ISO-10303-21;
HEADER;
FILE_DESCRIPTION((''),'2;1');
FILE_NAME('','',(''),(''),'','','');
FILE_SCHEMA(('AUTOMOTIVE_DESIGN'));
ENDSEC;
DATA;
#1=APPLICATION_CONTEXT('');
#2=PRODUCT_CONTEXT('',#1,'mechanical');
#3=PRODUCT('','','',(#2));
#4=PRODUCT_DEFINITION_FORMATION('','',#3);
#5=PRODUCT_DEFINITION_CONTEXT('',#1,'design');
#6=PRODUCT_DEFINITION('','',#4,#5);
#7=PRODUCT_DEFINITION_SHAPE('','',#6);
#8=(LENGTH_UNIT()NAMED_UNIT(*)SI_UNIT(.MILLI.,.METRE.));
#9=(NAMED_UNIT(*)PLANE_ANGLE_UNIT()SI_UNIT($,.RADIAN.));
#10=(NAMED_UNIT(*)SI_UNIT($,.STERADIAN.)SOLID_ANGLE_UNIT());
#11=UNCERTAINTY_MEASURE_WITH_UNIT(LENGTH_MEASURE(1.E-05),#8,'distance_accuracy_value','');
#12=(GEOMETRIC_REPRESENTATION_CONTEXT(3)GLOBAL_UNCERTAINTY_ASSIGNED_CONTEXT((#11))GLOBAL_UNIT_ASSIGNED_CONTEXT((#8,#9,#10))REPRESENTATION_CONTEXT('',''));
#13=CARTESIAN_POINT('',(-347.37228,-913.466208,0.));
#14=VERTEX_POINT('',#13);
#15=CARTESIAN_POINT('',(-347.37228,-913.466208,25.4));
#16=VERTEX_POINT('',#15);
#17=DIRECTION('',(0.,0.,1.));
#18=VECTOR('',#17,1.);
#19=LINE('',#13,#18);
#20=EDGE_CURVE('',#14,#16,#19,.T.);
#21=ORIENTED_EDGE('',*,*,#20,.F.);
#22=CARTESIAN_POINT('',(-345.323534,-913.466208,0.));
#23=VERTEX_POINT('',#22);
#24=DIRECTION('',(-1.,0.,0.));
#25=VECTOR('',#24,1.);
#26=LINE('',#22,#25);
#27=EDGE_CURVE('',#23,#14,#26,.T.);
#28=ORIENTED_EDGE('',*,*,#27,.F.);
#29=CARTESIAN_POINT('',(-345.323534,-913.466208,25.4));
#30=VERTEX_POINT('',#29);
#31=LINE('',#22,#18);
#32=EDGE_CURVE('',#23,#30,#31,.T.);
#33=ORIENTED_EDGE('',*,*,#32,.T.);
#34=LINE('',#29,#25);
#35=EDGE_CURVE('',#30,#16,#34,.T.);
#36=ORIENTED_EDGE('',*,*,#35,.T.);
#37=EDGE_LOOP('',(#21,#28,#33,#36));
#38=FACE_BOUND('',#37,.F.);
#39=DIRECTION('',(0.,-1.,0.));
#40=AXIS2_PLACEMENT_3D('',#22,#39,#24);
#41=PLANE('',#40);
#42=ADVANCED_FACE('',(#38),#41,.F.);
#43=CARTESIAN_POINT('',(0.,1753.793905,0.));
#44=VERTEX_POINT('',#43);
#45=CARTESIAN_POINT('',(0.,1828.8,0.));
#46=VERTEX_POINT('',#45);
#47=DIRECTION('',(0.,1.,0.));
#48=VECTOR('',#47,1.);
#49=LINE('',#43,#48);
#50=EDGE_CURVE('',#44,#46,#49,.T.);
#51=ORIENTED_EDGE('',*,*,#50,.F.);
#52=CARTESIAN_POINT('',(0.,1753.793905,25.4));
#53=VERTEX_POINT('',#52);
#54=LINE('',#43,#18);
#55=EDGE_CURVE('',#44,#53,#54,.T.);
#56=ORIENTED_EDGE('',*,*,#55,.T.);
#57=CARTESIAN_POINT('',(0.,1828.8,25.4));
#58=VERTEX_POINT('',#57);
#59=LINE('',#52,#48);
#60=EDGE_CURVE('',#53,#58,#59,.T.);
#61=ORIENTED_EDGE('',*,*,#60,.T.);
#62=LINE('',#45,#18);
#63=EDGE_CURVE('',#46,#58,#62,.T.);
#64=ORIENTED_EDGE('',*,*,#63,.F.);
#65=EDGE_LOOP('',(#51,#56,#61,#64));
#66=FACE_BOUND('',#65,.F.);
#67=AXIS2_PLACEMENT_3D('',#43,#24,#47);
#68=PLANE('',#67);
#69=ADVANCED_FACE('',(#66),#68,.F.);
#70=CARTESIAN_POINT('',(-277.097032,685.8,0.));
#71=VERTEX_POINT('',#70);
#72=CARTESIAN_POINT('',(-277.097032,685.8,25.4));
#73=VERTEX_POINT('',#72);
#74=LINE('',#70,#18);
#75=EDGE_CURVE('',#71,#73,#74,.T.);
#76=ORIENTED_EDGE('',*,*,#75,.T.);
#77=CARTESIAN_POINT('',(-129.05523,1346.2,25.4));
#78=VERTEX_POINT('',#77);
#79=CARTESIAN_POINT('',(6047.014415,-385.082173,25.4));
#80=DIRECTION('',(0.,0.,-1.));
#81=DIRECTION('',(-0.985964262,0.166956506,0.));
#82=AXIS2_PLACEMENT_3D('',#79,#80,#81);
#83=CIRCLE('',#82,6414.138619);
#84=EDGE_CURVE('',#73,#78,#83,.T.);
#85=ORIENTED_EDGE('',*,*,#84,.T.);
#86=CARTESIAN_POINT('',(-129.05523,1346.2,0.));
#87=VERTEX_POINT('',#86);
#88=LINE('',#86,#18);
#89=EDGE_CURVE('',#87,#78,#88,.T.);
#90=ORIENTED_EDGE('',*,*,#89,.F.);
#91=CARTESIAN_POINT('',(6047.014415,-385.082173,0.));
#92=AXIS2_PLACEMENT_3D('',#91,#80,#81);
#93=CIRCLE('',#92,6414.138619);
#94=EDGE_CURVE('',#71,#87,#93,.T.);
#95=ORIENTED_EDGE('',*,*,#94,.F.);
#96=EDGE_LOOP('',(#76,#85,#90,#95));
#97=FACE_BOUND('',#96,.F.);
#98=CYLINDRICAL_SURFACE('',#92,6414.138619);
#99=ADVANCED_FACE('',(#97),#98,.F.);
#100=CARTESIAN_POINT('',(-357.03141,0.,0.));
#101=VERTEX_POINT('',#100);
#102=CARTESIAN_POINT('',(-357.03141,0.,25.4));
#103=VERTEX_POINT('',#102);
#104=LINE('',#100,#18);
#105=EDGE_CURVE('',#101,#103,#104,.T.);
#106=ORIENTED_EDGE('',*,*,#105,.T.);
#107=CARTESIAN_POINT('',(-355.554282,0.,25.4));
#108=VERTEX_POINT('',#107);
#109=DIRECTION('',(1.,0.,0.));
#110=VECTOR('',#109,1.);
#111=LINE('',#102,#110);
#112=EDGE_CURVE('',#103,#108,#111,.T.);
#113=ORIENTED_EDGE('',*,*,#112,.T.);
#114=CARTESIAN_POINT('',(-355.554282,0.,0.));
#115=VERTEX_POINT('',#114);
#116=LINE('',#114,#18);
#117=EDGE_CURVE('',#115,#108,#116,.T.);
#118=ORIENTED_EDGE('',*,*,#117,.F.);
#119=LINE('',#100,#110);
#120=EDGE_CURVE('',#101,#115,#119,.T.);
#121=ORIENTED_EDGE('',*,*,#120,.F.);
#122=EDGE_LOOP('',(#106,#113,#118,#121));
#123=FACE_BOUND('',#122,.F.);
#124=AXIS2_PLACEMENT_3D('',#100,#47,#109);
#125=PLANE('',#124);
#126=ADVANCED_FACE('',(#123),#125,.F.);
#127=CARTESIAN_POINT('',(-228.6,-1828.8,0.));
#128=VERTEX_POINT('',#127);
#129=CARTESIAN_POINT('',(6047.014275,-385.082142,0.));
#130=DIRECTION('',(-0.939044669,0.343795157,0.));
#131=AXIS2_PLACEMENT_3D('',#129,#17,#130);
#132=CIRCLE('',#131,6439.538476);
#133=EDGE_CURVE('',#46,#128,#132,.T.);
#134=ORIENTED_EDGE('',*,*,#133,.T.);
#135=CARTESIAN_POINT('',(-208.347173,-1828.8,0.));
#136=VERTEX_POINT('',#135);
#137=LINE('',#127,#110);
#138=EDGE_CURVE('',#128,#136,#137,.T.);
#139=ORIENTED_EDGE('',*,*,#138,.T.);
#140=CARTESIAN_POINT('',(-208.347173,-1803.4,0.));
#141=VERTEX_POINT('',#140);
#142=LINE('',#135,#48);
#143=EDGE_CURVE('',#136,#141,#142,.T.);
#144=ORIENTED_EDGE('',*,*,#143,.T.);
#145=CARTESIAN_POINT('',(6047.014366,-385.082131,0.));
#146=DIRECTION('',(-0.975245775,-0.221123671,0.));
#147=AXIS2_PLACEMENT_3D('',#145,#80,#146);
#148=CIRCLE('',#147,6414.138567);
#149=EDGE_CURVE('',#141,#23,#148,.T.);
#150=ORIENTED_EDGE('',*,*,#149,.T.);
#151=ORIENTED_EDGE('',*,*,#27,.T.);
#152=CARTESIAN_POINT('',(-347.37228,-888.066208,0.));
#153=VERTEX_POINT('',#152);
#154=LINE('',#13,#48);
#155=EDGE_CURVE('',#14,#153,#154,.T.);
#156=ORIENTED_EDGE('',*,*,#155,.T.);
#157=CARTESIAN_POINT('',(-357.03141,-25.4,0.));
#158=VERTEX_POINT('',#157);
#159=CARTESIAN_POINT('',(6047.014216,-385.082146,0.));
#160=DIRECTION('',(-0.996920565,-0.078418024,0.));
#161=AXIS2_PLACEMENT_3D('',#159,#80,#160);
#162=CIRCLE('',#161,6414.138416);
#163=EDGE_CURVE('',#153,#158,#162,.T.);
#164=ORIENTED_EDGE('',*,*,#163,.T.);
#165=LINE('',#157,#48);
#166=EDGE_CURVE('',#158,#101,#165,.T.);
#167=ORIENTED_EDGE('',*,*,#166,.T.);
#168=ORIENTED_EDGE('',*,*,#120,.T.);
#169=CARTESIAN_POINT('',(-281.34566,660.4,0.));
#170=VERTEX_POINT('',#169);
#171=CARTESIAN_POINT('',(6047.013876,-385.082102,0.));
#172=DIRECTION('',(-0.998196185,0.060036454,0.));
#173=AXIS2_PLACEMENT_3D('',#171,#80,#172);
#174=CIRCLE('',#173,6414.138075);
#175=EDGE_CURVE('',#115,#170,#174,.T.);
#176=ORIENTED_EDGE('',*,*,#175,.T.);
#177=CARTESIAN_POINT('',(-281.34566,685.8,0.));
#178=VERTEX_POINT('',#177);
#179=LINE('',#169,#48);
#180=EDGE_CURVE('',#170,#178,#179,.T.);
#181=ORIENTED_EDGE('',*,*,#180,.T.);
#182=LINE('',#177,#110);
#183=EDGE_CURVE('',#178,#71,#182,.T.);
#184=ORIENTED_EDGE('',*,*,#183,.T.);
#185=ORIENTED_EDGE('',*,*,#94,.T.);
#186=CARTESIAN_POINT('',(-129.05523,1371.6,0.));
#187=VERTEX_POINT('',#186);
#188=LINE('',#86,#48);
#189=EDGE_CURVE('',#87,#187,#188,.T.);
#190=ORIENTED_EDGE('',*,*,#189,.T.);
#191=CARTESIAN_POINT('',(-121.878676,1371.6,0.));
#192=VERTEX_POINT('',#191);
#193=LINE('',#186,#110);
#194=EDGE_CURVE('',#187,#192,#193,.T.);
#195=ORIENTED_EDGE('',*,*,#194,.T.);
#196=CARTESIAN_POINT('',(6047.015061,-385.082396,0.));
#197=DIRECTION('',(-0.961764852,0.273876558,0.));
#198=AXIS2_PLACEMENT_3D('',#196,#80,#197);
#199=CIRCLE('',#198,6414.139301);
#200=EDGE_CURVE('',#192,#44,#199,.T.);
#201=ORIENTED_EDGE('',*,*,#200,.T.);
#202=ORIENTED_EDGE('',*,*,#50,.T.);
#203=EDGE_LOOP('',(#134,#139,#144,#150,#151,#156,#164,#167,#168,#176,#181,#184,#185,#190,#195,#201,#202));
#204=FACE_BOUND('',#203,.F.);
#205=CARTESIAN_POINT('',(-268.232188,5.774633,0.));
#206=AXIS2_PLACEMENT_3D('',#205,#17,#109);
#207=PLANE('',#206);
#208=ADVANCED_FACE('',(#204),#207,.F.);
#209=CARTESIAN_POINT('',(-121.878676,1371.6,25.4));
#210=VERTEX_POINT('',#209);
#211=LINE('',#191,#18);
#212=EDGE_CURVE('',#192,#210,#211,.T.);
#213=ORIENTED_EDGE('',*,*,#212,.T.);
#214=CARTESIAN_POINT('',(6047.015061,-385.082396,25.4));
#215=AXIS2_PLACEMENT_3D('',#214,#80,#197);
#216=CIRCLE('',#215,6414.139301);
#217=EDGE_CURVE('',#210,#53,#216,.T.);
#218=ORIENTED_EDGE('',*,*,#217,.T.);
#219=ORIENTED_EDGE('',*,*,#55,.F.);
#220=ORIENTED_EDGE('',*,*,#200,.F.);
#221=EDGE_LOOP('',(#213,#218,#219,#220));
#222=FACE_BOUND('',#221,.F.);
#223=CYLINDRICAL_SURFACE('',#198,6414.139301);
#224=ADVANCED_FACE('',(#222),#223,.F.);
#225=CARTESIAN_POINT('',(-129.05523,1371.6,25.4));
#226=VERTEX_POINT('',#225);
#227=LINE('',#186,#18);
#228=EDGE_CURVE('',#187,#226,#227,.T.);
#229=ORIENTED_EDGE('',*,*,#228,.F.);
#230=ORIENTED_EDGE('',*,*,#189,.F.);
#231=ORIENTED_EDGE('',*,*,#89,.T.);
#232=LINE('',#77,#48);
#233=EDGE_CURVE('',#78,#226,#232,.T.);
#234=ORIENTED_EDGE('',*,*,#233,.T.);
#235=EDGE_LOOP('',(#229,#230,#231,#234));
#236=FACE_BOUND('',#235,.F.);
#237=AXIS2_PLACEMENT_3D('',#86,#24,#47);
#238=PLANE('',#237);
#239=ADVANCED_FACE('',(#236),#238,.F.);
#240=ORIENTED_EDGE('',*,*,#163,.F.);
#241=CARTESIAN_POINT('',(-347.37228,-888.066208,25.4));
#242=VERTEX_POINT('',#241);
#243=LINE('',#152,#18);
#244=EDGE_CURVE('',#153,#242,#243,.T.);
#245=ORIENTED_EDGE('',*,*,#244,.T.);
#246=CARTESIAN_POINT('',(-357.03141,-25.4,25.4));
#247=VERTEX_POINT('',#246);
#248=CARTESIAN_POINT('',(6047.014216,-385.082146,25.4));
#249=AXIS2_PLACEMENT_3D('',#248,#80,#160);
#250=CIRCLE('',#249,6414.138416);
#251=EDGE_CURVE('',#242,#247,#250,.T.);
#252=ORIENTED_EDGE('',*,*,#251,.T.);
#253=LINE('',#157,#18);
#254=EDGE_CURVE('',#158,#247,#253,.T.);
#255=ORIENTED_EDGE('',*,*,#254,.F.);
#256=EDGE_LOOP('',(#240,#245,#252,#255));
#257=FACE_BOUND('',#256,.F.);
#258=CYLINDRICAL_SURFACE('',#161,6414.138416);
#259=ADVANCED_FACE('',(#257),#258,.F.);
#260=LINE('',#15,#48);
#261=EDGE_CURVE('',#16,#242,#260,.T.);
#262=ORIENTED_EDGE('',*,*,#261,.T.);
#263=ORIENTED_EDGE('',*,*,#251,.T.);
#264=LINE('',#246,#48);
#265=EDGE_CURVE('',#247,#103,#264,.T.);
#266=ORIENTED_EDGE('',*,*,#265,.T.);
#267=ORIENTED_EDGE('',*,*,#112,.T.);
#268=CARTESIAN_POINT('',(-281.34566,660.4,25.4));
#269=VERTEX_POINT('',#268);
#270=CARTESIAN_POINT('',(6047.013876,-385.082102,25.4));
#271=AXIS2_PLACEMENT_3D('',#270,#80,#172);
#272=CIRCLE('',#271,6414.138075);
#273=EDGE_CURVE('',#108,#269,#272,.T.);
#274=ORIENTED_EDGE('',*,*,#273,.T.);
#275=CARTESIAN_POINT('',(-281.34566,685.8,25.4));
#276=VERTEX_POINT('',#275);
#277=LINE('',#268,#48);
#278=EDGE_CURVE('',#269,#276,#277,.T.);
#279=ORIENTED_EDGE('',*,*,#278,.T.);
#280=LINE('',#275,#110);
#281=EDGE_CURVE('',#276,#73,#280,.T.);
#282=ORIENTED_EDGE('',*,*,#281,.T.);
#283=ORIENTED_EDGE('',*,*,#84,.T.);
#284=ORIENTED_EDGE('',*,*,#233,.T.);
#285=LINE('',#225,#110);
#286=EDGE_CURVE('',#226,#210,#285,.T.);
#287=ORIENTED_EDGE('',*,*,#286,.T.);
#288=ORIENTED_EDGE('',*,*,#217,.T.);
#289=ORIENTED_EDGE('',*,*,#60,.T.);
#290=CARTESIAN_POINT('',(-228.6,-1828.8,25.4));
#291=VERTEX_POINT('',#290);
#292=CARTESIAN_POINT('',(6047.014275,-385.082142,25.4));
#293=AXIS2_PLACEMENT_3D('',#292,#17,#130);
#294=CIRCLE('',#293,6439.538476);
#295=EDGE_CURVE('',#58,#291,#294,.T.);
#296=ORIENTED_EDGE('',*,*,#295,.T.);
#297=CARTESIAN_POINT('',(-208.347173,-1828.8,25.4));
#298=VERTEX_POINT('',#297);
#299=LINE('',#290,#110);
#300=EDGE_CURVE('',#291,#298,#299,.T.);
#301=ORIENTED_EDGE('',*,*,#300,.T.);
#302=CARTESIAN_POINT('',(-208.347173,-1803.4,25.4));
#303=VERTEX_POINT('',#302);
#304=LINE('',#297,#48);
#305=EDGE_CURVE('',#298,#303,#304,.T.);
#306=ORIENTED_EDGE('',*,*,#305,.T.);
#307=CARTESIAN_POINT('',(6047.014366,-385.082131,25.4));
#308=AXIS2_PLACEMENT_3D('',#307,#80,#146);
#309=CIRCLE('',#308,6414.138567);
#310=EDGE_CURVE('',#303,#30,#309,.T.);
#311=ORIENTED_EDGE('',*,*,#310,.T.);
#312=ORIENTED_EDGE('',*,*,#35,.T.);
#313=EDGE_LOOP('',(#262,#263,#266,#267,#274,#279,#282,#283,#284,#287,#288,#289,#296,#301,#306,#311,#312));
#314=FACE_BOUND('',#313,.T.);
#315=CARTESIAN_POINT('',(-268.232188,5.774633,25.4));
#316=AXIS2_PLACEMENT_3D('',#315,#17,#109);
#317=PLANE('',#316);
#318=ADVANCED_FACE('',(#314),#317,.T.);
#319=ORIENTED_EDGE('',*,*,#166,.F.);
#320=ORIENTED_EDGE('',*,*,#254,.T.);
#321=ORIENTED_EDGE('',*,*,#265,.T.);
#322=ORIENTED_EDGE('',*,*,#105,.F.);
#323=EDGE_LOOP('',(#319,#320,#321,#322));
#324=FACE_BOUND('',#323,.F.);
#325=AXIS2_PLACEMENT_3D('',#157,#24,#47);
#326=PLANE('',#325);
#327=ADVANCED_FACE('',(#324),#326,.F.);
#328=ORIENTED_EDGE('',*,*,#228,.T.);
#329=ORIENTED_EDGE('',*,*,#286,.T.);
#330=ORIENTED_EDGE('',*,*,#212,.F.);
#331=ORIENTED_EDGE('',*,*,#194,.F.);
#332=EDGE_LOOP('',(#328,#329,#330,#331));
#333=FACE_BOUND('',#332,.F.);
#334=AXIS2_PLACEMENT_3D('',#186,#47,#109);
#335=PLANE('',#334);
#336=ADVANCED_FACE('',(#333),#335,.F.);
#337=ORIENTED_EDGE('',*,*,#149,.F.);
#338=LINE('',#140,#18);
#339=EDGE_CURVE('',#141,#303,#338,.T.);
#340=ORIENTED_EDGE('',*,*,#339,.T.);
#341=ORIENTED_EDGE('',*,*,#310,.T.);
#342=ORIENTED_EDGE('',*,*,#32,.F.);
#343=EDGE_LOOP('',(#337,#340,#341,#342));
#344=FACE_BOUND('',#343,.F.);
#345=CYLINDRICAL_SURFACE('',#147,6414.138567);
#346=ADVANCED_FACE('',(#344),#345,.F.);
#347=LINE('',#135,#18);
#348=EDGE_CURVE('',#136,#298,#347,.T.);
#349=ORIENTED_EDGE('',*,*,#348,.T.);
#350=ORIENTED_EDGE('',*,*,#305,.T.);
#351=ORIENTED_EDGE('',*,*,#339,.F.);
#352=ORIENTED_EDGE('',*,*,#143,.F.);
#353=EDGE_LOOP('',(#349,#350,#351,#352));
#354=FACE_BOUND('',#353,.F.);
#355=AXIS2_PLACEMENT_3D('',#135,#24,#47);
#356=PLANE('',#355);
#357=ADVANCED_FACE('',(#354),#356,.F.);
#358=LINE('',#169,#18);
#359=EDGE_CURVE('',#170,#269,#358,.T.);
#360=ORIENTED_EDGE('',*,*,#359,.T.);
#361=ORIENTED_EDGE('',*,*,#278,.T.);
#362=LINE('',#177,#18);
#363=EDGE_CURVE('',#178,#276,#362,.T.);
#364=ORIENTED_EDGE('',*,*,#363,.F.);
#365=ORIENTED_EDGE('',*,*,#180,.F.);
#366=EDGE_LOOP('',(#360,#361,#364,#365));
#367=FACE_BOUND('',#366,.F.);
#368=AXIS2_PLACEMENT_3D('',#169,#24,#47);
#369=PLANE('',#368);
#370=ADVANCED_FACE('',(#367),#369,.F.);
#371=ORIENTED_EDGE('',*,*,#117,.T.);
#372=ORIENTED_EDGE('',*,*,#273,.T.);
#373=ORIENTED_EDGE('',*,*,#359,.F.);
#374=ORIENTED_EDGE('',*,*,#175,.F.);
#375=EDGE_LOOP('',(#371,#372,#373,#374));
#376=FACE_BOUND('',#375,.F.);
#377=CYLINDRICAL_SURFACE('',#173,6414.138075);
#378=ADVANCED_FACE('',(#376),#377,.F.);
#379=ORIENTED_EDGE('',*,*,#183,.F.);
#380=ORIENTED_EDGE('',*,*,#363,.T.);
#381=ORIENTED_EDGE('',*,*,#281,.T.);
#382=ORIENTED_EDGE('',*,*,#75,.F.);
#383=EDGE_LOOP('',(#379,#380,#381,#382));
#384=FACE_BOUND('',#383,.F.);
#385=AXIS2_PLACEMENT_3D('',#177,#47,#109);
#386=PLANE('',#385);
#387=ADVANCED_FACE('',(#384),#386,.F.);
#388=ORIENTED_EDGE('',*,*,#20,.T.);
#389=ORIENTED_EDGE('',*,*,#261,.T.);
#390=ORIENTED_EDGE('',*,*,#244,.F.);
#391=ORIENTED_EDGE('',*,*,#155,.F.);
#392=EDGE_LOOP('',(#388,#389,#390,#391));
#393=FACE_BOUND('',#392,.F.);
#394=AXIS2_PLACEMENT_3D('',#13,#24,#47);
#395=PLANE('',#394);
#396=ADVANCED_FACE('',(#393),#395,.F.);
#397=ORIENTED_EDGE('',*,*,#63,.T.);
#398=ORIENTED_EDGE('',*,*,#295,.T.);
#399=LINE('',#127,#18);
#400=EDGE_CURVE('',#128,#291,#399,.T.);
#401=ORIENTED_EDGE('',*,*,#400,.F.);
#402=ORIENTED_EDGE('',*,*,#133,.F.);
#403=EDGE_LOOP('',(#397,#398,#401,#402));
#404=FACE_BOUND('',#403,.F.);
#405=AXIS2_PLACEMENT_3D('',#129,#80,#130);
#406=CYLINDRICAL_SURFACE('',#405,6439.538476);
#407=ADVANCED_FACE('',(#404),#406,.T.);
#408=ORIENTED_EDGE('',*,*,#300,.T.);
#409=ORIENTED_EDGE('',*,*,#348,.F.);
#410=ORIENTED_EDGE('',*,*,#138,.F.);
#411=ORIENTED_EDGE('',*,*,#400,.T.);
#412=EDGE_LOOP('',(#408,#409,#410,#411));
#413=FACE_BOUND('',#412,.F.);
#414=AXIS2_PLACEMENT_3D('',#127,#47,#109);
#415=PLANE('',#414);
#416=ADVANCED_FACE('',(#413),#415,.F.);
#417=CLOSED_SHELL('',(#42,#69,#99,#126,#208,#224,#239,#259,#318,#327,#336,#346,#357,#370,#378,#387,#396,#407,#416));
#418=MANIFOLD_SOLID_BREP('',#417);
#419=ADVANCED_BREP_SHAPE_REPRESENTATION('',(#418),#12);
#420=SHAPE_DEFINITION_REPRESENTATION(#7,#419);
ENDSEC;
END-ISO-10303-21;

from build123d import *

# Parameters (mm, degrees)
F1_DEPTH = 25.4


with BuildPart() as f1:
    # F0 (on Top) → F1 (new body)
    with BuildSketch(Plane.XY):
        with BuildLine():
            Line((0, 1753.793905), (0, 1828.8))
            ThreePointArc((0, 1828.8), (-379.983705, 16.605232), (-228.6, -1828.8))
            Line((-228.6, -1828.8), (-208.347173, -1828.8))
            Line((-208.347173, -1828.8), (-208.347173, -1803.4))
            ThreePointArc((-208.347173, -1803.4), (-292.470693, -1360.839656), (-345.323534, -913.466208))
            Line((-345.323534, -913.466208), (-347.37228, -913.466208))
            Line((-347.37228, -913.466208), (-347.37228, -888.066208))
            ThreePointArc((-347.37228, -888.066208), (-366.722171, -456.895686), (-357.03141, -25.4))
            Line((-357.03141, -25.4), (-357.03141, 0))
            Line((-357.03141, 0), (-355.554282, 0))
            ThreePointArc((-355.554282, 0), (-327.008561, 331.161722), (-281.34566, 660.4))
            Line((-281.34566, 660.4), (-281.34566, 685.8))
            Line((-281.34566, 685.8), (-277.097032, 685.8))
            ThreePointArc((-277.097032, 685.8), (-211.79249, 1017.953945), (-129.05523, 1346.2))
            Line((-129.05523, 1346.2), (-129.05523, 1371.6))
            Line((-129.05523, 1371.6), (-121.878676, 1371.6))
            ThreePointArc((-121.878676, 1371.6), (-63.927991, 1563.650011), (0, 1753.793905))
        make_face()
    extrude(amount=F1_DEPTH)


solid = f1.part
